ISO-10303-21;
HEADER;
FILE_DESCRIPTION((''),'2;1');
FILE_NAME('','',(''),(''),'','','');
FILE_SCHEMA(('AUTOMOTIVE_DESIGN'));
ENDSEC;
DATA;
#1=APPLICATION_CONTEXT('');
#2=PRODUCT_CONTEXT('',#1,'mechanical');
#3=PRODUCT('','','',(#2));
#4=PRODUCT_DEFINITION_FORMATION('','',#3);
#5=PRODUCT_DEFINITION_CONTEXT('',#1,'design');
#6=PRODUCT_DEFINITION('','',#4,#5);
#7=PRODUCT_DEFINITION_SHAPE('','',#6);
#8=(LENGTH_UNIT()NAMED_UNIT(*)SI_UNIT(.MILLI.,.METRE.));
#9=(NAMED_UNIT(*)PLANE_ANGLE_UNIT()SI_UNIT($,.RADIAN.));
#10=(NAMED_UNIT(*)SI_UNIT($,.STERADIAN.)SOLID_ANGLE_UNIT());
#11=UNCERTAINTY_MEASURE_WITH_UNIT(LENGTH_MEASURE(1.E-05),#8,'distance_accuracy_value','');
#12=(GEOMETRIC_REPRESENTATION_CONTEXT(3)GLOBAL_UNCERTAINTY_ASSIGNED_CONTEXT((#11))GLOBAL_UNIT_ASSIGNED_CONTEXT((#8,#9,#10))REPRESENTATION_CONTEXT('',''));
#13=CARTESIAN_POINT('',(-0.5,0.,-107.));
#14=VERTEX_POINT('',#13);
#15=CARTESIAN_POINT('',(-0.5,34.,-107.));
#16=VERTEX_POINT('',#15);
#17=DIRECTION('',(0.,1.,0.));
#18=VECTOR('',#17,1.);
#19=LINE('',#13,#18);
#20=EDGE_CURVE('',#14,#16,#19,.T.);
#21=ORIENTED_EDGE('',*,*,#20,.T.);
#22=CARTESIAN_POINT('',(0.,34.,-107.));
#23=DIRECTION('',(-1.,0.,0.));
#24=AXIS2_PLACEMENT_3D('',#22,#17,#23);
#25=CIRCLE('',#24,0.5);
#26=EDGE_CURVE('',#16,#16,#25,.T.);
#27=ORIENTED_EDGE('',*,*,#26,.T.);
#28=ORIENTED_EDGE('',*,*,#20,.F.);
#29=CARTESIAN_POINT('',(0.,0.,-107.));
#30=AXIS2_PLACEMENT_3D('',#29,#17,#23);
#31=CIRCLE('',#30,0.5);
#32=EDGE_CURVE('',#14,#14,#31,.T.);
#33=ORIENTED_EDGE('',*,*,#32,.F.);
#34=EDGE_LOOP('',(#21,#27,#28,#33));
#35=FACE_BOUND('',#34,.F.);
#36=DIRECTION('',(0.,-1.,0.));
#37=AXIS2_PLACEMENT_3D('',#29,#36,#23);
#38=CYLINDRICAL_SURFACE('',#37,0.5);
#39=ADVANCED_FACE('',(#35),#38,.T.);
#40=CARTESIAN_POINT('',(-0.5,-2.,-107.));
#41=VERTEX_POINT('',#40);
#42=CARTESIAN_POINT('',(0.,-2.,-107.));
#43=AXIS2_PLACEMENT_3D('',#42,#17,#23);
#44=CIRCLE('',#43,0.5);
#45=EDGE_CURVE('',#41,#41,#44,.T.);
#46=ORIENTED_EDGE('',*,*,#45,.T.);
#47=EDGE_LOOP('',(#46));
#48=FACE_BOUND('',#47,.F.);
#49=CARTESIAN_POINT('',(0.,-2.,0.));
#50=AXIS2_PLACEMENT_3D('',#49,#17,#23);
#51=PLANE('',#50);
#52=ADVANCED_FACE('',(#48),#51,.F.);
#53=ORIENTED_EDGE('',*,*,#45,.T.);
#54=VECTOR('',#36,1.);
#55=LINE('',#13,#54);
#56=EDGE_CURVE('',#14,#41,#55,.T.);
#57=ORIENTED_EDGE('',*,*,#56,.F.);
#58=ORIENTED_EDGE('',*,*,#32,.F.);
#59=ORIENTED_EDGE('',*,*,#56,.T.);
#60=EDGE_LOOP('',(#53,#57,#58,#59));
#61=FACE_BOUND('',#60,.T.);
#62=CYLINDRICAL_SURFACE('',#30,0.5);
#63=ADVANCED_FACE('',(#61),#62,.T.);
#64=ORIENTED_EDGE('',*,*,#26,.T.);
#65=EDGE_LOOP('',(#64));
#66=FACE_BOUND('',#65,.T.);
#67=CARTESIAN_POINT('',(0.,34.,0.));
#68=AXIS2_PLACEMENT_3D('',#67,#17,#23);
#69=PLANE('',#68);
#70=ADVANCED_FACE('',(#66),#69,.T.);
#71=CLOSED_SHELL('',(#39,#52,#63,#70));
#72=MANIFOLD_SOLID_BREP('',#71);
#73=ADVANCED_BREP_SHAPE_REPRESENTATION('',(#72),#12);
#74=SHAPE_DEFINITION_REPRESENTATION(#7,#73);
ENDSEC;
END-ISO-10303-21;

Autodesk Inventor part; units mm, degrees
ref_plane "YZ Plane" through (0, 0, 0) normal (1, 0, 0) x (0, 1, 0)
ref_plane "XZ Plane" through (0, 0, 0) normal (0, 1, 0) x (-1, 0, 0)
ref_plane "XY Plane" through (0, 0, 0) normal (0, 0, 1) x (1, 0, 0)
sketch "Sketch1" plane through (0, 0, 0) normal (0, 1, 0) x (-1, 0, 0)
  circle A0 centre (0, -107) radius 0.5
  circle A1 centre (0, -107) radius 1.5 projected
  arc A2 (5.6174, 110) -> (3.5, -110) centre (11433.5, -110) ccw projected
  line L0 (3.5, -110) -> (-3.5, -110) projected
  arc A3 (-3.5, -110) -> (-5.6174, 110) centre (-11433.5, -110) ccw projected
  line L1 (-5.6174, 110) -> (-3, 110) projected
  line L2 (3, 80) -> (3, 110) projected
  line L3 (3, 110) -> (5.6174, 110) projected
  line L4 (-3, 110) -> (-3, 80) projected
  line L5 (-3, 80) -> (3, 80) projected
  point P0 (0, 0)
  dimension "d0" = 1
extrude "Extrusion1" add sketch "Sketch1" along normal blind 34 and the other way blind 2 contours A0
properties part number "Axis" material "Stainless Steel"
